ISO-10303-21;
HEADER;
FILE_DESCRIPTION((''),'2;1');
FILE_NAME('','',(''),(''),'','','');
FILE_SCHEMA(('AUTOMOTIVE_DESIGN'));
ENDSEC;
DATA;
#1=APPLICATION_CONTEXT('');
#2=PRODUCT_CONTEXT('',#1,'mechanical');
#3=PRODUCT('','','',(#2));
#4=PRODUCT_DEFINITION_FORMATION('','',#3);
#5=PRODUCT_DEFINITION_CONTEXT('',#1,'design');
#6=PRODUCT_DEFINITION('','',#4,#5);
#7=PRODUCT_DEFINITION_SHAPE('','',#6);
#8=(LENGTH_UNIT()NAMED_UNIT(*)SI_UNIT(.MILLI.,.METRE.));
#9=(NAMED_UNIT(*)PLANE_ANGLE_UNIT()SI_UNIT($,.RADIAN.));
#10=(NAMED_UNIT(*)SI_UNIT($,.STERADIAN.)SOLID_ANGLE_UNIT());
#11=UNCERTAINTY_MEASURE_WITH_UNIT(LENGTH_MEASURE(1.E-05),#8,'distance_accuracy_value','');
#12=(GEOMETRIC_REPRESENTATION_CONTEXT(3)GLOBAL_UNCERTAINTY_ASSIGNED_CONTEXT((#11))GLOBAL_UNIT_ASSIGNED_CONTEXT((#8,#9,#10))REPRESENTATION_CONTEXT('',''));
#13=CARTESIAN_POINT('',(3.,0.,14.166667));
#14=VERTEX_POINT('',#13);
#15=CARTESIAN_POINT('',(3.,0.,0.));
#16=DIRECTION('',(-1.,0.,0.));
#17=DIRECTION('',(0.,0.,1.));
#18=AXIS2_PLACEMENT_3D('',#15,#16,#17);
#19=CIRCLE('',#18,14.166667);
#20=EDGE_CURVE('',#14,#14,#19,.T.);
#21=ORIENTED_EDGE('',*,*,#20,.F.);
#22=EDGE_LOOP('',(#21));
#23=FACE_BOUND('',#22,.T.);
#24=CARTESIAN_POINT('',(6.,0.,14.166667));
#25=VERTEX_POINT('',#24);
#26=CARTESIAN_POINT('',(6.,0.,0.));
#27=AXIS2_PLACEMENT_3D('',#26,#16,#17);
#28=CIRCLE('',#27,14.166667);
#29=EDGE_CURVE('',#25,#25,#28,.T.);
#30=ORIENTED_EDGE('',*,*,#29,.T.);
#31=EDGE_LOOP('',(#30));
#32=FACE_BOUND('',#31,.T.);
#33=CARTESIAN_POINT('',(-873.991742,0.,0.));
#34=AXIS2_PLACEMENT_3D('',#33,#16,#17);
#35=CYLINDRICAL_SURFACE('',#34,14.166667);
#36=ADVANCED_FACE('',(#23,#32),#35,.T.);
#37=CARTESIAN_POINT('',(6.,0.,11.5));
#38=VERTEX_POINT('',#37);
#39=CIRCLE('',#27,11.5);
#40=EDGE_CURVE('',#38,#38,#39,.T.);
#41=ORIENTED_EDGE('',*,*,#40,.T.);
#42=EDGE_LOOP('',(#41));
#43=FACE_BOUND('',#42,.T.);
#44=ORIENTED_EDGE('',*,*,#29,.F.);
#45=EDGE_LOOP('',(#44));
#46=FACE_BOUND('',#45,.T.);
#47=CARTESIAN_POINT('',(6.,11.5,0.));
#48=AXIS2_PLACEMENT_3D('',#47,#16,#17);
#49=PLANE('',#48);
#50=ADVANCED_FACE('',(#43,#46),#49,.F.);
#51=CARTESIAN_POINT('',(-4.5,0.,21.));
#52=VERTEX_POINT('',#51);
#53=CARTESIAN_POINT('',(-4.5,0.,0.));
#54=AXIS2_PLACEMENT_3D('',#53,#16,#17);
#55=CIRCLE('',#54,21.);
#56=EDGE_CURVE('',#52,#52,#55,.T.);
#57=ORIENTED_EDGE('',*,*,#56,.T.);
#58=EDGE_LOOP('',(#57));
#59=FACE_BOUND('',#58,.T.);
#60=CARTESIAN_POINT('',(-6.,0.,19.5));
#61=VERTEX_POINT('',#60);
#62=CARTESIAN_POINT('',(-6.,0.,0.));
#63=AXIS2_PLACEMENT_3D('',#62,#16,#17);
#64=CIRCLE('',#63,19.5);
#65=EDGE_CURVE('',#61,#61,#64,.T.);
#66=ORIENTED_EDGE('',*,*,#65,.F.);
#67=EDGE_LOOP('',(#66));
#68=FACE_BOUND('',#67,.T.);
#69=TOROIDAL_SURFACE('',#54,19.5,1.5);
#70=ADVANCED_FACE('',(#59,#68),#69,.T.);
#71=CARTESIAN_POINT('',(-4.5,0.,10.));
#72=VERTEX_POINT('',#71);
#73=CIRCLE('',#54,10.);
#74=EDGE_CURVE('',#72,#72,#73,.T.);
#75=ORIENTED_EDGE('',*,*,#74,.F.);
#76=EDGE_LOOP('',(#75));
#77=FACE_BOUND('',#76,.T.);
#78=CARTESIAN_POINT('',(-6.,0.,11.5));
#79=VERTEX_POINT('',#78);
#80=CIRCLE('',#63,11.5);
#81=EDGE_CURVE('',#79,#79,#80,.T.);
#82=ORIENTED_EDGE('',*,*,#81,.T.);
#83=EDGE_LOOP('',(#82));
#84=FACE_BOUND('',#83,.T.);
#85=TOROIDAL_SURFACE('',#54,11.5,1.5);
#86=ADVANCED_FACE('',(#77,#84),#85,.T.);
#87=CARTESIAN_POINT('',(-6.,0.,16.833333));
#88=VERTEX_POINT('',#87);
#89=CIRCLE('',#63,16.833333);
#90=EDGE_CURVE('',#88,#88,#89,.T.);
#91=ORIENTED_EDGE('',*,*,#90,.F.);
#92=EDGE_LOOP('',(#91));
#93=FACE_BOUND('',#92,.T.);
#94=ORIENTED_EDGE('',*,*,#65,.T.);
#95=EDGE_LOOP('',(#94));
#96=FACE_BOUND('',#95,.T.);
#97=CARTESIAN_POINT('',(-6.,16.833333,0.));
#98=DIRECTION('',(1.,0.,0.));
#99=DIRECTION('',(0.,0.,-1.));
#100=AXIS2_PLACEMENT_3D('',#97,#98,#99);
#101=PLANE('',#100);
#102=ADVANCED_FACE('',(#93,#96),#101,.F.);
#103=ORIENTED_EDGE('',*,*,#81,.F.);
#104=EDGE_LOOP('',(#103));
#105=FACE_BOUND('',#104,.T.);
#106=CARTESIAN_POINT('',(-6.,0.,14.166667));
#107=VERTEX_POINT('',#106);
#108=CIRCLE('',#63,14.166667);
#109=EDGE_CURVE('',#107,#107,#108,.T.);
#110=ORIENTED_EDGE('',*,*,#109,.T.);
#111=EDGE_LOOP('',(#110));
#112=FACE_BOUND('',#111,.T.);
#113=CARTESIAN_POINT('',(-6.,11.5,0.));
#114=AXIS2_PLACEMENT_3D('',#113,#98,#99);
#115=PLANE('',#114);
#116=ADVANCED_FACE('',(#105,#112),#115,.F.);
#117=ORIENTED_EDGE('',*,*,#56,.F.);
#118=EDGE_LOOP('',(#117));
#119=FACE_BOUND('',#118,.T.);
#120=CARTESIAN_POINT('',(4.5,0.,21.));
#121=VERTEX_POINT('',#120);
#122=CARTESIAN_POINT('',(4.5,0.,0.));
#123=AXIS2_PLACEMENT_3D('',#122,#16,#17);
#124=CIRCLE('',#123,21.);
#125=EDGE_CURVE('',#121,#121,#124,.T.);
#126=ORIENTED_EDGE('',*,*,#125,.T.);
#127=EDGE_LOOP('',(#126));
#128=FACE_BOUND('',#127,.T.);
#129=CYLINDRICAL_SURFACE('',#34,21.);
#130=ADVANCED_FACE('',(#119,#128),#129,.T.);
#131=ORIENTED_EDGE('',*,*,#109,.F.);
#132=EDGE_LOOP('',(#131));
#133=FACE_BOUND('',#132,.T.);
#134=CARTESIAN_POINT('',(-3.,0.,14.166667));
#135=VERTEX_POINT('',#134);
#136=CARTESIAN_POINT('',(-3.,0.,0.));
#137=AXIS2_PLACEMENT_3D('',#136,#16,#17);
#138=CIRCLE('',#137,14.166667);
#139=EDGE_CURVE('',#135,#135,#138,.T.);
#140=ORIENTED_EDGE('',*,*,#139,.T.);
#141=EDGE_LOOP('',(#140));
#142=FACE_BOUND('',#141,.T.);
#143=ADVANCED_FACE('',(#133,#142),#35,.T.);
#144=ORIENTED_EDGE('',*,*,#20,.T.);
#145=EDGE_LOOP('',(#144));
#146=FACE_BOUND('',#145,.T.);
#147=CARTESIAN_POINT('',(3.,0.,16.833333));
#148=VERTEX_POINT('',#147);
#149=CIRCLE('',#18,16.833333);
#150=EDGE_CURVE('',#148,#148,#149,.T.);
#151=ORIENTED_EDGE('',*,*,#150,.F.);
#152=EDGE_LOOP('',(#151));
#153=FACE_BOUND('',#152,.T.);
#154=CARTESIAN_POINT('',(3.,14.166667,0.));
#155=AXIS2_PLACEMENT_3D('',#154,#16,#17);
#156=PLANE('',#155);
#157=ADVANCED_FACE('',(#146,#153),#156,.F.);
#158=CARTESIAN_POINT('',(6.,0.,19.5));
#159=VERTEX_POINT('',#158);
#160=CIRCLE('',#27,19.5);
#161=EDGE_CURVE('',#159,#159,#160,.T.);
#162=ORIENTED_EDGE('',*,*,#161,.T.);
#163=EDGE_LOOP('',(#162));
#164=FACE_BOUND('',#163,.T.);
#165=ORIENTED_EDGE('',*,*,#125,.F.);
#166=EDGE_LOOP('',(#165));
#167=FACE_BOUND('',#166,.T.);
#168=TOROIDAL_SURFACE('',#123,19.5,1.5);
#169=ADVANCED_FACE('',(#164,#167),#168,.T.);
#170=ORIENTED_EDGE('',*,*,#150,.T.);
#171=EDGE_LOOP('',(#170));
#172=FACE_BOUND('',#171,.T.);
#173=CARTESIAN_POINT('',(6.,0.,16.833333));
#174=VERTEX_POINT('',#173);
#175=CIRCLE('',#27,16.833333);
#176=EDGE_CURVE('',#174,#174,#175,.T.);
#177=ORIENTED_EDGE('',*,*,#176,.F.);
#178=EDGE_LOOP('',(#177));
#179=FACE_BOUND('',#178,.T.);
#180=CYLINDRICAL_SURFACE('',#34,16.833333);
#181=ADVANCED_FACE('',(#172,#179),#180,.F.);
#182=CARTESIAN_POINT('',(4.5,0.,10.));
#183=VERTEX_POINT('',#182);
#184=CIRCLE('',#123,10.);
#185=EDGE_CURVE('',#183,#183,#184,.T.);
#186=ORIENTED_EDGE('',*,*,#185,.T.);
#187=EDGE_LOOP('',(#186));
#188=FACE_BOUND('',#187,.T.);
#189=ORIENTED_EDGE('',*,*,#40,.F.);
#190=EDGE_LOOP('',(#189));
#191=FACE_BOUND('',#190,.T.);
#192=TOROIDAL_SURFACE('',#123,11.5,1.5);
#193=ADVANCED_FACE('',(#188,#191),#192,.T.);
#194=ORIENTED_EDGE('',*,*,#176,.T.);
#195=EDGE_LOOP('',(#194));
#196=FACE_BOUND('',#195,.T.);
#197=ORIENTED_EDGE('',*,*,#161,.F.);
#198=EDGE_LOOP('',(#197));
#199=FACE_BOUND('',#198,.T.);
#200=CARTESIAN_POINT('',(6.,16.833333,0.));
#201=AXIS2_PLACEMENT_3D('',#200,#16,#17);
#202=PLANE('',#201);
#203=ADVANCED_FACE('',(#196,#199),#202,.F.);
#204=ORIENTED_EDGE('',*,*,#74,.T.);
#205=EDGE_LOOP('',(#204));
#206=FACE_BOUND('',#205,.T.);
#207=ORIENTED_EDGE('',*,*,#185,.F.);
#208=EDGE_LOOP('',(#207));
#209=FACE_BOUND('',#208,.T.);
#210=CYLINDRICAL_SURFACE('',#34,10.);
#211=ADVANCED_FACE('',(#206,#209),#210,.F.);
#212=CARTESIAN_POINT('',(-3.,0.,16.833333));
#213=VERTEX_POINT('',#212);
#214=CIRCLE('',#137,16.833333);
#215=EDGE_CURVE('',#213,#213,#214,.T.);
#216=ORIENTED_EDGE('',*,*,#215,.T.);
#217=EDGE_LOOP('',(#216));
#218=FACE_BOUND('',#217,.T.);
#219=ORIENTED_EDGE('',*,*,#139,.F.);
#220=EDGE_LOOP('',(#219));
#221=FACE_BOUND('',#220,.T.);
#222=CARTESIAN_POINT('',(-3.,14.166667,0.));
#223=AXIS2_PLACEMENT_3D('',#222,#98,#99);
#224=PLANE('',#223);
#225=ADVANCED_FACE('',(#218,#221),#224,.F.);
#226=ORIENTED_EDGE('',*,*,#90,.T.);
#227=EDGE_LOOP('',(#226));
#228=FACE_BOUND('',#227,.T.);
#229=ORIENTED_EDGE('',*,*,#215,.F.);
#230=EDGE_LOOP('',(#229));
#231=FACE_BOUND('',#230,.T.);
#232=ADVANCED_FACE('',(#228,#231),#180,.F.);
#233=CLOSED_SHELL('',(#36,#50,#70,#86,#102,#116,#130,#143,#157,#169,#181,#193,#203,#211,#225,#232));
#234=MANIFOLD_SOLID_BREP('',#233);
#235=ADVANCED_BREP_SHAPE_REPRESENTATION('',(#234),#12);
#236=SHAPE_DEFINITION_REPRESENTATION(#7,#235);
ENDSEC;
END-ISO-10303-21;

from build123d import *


with BuildPart() as part:
    # Эскиз1 → Повернуть1 (revolve)
    with BuildSketch(Plane.XY):
        with BuildLine():
            Line((4.5, 10), (-4.5, 10))
            ThreePointArc((-4.5, 10), (-5.560660172, 10.439339828), (-6, 11.5))
            Line((-6, 11.5), (-6, 14.166666667))
            Line((-6, 14.166666667), (-3, 14.166666667))
            Line((-3, 14.166666667), (-3, 16.833333333))
            Line((-3, 16.833333333), (-6, 16.833333333))
            Line((-6, 16.833333333), (-6, 19.5))
            ThreePointArc((-6, 19.5), (-5.560660172, 20.560660172), (-4.5, 21))
            Line((-4.5, 21), (4.5, 21))
            ThreePointArc((4.5, 21), (5.560660172, 20.560660172), (6, 19.5))
            Line((6, 19.5), (6, 16.833333333))
            Line((6, 16.833333333), (3, 16.833333333))
            Line((3, 16.833333333), (3, 14.166666667))
            Line((3, 14.166666667), (6, 14.166666667))
            Line((6, 14.166666667), (6, 11.5))
            ThreePointArc((6, 11.5), (5.560660172, 10.439339828), (4.5, 10))
        make_face()
    revolve(axis=Axis((-873.991742101, 0, 0), (1, 0, 0)))


solid = part.part
